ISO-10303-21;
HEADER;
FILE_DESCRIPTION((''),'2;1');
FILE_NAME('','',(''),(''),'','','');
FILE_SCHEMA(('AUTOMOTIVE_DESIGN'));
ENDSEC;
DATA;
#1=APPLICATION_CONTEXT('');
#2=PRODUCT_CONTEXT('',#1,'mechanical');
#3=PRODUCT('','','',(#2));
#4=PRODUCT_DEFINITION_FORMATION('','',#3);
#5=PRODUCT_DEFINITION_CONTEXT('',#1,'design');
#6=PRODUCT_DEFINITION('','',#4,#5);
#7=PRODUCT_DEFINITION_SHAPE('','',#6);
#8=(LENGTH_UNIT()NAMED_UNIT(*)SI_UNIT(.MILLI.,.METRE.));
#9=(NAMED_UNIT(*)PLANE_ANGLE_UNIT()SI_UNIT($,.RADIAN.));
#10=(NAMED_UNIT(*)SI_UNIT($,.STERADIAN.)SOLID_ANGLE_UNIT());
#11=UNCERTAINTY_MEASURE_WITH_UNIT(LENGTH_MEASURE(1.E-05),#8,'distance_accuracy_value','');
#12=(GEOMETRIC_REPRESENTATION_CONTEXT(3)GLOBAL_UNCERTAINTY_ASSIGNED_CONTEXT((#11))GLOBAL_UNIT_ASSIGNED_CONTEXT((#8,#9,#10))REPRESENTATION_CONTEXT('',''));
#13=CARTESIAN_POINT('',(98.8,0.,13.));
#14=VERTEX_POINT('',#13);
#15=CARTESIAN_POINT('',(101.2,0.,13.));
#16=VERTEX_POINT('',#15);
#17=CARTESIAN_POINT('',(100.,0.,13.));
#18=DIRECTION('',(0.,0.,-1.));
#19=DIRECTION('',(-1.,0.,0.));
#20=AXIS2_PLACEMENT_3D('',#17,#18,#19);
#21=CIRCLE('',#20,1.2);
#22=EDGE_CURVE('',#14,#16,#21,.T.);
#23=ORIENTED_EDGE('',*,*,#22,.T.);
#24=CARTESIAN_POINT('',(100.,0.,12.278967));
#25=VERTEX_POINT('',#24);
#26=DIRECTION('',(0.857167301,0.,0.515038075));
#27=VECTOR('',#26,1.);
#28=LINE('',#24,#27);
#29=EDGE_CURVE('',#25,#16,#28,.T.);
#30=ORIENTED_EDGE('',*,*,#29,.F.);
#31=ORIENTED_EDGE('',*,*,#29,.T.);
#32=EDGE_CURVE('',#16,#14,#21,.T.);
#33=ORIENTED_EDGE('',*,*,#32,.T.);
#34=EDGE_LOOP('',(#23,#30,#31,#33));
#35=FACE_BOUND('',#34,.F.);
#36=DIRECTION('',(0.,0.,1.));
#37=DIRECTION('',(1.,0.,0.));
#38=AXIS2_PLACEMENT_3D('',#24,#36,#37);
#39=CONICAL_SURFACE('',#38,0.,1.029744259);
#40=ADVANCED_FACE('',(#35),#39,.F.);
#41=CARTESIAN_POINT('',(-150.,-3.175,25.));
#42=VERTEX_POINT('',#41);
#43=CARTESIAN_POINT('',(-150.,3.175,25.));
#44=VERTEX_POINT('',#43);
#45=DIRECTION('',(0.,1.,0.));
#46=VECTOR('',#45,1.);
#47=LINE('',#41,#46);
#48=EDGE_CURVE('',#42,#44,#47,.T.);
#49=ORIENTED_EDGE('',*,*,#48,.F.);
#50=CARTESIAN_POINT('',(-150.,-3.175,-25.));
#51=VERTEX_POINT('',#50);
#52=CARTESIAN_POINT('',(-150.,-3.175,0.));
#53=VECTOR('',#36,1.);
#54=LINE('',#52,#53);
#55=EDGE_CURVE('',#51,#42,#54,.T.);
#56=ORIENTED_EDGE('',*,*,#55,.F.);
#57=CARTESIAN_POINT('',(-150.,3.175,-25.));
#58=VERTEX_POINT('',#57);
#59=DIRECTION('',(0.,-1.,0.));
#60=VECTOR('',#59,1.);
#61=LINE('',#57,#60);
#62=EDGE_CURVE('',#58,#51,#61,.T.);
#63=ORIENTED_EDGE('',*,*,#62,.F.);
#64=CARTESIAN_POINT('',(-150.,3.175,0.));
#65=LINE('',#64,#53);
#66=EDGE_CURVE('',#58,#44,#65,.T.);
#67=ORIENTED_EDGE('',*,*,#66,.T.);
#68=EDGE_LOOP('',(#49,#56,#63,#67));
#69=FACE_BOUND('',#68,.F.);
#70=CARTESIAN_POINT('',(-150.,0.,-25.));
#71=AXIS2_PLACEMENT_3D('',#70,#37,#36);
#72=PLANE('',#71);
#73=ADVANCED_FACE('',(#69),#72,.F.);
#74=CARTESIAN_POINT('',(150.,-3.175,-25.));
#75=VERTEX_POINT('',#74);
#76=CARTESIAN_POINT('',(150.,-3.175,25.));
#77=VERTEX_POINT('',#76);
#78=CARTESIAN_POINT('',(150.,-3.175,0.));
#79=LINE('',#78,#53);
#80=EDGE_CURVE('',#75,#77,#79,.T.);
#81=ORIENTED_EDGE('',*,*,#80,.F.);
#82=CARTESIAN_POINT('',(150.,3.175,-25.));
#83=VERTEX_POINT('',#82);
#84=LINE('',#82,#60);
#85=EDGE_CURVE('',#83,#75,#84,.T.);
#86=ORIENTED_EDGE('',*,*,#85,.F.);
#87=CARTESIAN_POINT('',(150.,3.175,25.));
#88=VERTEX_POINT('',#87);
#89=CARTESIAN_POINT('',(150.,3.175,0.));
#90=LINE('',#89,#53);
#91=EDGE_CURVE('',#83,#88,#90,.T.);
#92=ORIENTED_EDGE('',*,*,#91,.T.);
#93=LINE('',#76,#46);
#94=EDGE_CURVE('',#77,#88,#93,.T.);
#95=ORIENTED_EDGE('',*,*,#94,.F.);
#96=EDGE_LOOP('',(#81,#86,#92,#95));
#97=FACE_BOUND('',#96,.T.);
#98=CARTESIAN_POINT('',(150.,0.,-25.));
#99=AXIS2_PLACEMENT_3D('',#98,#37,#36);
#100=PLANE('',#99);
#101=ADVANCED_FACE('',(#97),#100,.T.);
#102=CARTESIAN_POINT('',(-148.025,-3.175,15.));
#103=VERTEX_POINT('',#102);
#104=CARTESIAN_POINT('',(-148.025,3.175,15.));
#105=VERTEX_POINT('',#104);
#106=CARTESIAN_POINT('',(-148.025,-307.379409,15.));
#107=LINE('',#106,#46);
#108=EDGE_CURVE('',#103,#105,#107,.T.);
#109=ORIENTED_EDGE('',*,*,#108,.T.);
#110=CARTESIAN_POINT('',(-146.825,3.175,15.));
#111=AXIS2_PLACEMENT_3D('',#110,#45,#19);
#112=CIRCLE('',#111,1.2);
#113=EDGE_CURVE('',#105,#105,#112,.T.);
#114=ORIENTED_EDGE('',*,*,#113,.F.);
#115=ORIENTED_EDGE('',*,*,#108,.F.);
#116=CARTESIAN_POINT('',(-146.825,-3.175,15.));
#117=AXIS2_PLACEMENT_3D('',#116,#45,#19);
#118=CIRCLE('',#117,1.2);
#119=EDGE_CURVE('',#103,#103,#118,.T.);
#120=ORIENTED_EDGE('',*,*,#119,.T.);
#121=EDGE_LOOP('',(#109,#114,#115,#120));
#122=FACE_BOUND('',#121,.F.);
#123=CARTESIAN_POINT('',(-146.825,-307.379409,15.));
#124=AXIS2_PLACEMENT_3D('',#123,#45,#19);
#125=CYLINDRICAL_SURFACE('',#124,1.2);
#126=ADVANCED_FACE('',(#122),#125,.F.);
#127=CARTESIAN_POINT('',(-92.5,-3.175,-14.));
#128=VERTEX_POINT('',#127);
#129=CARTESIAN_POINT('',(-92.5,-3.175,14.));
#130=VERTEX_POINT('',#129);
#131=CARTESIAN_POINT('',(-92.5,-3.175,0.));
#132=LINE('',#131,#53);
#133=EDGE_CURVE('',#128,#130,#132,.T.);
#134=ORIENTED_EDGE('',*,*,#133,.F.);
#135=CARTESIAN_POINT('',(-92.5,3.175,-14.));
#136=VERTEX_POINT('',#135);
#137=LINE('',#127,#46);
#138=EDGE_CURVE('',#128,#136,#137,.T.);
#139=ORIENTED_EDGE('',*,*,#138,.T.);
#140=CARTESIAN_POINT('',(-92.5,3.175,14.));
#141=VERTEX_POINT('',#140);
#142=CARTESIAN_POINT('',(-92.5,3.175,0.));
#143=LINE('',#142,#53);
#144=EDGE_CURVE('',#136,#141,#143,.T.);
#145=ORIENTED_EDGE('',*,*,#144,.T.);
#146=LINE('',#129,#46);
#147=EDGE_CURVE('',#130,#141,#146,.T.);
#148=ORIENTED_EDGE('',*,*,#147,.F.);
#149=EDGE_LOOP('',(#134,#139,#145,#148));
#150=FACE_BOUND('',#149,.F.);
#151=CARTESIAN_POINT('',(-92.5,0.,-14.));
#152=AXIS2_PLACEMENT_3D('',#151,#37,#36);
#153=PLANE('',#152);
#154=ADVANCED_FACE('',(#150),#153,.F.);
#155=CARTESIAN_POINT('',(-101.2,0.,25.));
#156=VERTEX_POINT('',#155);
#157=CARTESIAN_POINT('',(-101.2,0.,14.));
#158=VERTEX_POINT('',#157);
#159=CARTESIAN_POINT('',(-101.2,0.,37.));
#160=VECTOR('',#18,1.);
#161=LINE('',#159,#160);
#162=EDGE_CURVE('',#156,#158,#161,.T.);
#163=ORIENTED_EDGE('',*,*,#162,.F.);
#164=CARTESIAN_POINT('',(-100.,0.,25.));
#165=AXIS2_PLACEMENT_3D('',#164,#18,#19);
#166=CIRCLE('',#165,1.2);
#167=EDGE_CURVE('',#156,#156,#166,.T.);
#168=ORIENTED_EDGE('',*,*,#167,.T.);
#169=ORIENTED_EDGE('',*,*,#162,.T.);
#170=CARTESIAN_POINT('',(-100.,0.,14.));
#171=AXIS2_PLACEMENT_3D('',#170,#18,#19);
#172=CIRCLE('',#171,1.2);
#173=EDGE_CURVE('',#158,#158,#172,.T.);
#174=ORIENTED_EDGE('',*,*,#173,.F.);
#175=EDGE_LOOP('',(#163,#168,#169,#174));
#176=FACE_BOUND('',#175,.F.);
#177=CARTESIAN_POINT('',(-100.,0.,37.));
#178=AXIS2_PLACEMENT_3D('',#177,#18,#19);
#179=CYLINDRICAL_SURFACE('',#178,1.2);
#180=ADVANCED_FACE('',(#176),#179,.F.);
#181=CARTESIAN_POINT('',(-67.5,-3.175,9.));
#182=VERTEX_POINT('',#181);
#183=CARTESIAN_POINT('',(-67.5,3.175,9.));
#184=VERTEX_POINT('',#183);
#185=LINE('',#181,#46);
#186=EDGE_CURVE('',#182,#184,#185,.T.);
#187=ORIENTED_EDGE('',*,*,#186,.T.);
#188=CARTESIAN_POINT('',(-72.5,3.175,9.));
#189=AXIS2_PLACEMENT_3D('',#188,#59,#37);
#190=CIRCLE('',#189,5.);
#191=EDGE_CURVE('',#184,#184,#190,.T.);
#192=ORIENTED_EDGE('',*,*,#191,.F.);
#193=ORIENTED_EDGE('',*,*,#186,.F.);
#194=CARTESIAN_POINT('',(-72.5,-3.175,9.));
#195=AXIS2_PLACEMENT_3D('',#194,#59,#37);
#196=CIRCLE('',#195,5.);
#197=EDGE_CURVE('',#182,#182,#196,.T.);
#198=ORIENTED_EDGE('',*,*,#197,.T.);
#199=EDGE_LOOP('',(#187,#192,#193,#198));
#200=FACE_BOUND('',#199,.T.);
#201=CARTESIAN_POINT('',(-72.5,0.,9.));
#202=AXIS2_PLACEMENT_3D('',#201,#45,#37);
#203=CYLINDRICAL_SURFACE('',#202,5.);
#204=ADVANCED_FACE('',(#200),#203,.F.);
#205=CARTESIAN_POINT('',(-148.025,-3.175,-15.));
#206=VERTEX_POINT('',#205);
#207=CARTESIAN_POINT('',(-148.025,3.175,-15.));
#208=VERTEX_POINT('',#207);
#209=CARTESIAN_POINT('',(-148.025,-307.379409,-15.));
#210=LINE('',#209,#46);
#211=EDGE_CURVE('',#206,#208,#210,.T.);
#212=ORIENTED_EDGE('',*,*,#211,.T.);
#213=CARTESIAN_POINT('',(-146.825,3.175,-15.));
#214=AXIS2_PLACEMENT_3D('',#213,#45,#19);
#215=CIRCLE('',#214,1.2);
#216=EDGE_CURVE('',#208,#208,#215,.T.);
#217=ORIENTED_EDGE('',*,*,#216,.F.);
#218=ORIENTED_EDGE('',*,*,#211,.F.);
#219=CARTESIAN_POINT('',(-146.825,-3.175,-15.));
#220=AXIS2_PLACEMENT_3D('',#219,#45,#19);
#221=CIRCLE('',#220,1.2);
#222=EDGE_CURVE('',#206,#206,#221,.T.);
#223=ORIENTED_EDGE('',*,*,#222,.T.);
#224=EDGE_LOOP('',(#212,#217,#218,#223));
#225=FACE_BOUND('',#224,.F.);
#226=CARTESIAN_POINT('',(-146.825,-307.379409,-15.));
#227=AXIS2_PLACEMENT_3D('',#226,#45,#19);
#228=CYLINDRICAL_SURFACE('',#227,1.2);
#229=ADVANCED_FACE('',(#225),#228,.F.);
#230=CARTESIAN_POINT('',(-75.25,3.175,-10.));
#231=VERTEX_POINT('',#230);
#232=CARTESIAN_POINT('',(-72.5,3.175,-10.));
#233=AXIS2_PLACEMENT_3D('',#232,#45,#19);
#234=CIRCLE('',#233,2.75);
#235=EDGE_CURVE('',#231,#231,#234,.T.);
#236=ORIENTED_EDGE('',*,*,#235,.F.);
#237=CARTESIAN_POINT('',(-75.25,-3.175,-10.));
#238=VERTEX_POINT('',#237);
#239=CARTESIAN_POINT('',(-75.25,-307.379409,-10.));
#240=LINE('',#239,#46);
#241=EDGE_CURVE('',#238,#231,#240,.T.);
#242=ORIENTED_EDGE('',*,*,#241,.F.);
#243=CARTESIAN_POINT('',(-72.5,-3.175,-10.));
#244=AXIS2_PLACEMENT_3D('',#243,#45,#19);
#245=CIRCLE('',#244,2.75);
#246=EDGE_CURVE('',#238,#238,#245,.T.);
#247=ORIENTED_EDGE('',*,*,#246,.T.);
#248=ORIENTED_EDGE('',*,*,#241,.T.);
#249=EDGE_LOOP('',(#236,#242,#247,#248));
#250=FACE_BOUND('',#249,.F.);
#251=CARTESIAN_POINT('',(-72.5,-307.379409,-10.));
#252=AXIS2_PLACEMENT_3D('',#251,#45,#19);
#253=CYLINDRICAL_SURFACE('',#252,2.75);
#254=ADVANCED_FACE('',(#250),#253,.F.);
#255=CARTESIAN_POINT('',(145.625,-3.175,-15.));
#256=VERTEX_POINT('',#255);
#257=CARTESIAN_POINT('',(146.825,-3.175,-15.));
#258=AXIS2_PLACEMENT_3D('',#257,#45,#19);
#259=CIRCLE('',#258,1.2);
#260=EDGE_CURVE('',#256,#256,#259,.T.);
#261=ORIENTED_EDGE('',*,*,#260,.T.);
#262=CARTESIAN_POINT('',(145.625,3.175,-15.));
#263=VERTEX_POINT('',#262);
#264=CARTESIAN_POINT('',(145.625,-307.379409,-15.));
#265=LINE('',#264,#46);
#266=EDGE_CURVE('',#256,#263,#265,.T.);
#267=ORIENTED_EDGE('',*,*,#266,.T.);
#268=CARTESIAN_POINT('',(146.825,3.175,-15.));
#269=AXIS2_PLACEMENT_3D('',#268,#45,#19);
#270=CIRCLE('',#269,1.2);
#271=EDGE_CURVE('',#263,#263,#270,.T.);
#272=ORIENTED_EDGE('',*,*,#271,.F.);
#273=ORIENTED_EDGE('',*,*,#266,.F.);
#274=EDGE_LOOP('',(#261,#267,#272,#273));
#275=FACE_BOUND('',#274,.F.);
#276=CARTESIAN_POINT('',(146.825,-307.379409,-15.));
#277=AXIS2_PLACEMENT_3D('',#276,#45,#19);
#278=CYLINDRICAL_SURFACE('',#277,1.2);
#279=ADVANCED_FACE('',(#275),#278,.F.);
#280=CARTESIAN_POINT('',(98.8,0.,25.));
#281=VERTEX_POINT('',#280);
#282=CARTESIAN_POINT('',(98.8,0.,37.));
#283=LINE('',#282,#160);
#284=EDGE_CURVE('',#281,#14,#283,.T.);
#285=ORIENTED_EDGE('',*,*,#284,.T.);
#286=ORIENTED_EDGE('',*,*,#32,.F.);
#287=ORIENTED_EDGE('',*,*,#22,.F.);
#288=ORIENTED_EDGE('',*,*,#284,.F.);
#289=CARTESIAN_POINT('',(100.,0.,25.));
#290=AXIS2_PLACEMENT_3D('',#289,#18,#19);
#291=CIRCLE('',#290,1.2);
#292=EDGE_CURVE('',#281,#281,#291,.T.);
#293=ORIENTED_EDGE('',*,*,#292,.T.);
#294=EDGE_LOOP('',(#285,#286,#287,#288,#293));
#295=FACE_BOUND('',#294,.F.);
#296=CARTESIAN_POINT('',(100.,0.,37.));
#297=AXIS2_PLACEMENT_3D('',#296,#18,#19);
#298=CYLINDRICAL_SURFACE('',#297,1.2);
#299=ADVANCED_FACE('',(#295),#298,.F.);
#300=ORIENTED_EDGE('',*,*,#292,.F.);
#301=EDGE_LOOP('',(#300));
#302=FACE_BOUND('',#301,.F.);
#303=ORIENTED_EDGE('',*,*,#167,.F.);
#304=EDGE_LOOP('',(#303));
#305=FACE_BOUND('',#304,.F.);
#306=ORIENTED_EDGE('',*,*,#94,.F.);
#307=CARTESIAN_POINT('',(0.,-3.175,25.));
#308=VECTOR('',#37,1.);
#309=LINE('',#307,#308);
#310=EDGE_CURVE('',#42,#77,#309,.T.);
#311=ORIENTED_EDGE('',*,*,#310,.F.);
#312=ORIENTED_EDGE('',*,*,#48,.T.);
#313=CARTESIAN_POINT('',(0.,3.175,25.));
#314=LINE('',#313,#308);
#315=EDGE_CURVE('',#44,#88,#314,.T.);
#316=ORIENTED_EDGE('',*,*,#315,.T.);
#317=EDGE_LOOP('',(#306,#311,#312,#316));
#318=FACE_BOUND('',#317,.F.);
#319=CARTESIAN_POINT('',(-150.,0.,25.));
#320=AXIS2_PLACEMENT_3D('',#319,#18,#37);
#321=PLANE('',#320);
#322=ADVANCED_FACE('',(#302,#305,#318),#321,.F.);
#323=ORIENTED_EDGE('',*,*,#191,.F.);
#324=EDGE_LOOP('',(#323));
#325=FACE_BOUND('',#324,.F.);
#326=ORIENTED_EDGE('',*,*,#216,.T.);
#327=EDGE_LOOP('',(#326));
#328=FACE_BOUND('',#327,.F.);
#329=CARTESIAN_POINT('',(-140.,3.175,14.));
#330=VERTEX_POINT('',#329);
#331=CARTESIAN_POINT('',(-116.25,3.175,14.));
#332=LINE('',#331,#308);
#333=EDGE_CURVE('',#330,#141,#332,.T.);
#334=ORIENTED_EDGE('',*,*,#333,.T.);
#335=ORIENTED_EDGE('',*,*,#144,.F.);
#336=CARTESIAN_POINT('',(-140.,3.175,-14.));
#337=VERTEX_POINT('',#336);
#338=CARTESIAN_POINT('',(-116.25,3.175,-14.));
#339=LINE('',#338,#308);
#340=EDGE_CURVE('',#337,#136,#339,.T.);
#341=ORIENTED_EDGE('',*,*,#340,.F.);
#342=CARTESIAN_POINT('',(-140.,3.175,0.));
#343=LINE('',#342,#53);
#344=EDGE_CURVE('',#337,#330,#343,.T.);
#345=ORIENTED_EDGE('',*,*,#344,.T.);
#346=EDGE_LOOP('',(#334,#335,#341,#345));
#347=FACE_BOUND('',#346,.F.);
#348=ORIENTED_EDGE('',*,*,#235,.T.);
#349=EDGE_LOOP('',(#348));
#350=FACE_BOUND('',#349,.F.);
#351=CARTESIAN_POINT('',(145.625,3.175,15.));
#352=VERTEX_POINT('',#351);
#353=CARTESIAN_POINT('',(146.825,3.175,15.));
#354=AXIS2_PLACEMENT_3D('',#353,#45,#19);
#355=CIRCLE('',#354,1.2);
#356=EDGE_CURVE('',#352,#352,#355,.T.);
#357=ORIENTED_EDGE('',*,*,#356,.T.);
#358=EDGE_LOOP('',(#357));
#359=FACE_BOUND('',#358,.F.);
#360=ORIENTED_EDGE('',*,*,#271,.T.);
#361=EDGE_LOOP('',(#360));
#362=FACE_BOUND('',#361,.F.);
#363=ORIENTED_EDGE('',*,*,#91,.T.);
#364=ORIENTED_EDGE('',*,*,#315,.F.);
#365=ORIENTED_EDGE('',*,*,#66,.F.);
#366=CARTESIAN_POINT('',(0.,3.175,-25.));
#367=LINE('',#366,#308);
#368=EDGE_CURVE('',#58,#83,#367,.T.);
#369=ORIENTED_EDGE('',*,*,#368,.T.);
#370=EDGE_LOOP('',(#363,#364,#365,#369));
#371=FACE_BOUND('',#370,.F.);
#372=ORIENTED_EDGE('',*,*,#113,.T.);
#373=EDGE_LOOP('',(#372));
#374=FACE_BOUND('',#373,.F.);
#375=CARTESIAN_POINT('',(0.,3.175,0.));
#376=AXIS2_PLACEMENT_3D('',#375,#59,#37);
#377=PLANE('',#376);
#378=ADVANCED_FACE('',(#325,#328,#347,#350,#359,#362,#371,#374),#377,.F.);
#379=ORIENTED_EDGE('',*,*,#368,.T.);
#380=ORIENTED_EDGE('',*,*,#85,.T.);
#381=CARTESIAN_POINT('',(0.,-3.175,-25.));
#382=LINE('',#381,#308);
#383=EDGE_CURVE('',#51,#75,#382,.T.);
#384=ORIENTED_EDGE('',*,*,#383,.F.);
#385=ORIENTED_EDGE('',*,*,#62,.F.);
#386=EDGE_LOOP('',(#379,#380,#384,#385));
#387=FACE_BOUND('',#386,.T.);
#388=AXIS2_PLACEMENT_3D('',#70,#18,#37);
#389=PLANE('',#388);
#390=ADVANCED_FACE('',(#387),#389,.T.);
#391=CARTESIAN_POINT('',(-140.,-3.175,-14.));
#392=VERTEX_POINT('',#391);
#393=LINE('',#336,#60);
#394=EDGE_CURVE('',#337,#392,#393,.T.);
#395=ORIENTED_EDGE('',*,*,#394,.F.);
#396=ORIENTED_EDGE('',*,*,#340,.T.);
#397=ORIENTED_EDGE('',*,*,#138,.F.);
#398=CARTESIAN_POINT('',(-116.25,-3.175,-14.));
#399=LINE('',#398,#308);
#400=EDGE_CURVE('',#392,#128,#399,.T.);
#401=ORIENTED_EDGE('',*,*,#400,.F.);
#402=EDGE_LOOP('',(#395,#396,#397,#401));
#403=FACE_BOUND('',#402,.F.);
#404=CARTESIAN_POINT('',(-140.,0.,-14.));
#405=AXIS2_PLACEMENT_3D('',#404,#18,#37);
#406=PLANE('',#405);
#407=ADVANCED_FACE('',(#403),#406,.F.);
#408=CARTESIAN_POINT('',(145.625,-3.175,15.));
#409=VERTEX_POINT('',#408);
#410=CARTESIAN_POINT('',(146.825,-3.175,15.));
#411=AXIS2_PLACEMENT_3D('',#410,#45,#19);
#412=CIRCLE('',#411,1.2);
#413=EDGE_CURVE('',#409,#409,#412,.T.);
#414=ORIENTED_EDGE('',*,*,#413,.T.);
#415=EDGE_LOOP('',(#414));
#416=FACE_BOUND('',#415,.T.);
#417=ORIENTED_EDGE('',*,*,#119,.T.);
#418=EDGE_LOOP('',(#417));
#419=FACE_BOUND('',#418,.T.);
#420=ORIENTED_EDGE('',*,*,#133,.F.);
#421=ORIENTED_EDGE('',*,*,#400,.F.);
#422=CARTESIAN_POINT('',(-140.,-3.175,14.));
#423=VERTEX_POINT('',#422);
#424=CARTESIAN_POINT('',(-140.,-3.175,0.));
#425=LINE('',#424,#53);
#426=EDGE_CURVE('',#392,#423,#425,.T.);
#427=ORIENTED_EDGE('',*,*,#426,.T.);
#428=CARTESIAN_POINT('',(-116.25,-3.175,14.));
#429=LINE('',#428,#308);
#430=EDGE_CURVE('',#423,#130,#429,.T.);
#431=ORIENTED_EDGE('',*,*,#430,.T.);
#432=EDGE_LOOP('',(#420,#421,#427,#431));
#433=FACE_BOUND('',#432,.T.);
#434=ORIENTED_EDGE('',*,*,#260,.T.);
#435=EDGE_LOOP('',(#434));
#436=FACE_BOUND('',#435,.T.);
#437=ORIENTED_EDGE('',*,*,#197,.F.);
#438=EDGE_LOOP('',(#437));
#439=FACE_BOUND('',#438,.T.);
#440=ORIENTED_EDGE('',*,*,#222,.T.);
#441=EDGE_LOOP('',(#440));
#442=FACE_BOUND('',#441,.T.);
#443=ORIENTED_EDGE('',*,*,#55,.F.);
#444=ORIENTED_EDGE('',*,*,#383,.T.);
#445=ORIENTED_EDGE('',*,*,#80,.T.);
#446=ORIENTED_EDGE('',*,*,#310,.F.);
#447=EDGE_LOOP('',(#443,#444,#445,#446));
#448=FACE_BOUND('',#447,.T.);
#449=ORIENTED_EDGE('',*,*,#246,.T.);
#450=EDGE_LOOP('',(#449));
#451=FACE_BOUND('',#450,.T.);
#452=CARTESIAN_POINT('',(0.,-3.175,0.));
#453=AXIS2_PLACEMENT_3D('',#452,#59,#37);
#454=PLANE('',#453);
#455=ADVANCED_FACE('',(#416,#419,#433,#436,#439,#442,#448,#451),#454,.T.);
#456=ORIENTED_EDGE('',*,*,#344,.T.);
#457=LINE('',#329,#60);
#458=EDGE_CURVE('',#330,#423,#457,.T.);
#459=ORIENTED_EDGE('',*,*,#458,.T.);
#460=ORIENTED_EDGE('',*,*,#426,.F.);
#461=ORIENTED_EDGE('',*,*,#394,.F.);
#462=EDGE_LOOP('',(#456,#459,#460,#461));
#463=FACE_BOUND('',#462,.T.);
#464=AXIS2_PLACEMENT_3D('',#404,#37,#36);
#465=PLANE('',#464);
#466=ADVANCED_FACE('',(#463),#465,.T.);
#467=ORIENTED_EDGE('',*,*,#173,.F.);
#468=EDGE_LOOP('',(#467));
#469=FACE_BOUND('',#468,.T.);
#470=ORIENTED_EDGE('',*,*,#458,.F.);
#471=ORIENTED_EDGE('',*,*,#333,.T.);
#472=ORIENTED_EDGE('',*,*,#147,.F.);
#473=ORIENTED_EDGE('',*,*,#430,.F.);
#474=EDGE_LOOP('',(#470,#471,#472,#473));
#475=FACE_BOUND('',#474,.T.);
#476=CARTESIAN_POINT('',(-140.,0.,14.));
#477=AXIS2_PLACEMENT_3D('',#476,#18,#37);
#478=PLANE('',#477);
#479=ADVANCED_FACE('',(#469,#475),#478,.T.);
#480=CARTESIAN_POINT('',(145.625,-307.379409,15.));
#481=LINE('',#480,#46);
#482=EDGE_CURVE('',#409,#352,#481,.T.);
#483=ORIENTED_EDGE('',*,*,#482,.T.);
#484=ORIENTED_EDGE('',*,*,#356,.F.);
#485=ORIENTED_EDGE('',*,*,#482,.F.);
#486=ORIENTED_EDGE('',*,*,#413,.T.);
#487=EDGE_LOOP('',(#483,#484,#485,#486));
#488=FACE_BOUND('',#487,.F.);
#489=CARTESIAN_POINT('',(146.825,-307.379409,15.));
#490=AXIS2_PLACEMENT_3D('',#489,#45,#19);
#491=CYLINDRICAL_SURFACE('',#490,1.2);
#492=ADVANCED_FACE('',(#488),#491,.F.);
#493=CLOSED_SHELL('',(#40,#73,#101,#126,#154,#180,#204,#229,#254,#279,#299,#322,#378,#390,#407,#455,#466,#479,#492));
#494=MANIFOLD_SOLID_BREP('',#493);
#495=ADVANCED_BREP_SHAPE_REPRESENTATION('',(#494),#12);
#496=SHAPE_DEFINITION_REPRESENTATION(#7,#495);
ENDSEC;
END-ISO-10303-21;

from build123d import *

# Parameters (mm, degrees)
F0_W     = 300
F0_H     = 50
F0_W_2   = 47.5
F0_H_2   = 28
F0_R     = 5
F1_DEPTH = 3.175
F3_D     = 2.4
F5_D     = 2.4
F5_DEPTH = 12
F5_TIP   = 0.7210327428
F7_D     = 5.5


with BuildPart() as f1:
    # F0 (on Front) → F1 (new body, symmetric)
    with BuildSketch(Plane.XZ):
        Rectangle(F0_W, F0_H)
        with Locations((-116.25, 0)):
            Rectangle(F0_W_2, F0_H_2, mode=Mode.SUBTRACT)
        with Locations((-72.5, 9)):
            Circle(F0_R, mode=Mode.SUBTRACT)
    extrude(amount=F1_DEPTH, both=True)

    # F3 (through all)
    with Locations(Plane.XZ.offset(3.175)):
        with Locations((-146.825, 15), (-146.825, -15), (146.825, 15), (146.825, -15)):
            Hole(F3_D / 2)

    # F5
    with Locations(Plane.XY.offset(25)):
        with Locations((-100, 0), (100, 0)):
            Hole(F5_D / 2, depth=F5_DEPTH)
            with Locations((0, 0, -(F5_DEPTH + F5_TIP / 2))):  # 118° drill point
                Cone(0, F5_D / 2, F5_TIP, mode=Mode.SUBTRACT)

    # F7 (through all)
    with Locations(Plane.XZ.offset(3.175)):
        with Locations((-72.5, -10)):
            Hole(F7_D / 2)


solid = f1.part
